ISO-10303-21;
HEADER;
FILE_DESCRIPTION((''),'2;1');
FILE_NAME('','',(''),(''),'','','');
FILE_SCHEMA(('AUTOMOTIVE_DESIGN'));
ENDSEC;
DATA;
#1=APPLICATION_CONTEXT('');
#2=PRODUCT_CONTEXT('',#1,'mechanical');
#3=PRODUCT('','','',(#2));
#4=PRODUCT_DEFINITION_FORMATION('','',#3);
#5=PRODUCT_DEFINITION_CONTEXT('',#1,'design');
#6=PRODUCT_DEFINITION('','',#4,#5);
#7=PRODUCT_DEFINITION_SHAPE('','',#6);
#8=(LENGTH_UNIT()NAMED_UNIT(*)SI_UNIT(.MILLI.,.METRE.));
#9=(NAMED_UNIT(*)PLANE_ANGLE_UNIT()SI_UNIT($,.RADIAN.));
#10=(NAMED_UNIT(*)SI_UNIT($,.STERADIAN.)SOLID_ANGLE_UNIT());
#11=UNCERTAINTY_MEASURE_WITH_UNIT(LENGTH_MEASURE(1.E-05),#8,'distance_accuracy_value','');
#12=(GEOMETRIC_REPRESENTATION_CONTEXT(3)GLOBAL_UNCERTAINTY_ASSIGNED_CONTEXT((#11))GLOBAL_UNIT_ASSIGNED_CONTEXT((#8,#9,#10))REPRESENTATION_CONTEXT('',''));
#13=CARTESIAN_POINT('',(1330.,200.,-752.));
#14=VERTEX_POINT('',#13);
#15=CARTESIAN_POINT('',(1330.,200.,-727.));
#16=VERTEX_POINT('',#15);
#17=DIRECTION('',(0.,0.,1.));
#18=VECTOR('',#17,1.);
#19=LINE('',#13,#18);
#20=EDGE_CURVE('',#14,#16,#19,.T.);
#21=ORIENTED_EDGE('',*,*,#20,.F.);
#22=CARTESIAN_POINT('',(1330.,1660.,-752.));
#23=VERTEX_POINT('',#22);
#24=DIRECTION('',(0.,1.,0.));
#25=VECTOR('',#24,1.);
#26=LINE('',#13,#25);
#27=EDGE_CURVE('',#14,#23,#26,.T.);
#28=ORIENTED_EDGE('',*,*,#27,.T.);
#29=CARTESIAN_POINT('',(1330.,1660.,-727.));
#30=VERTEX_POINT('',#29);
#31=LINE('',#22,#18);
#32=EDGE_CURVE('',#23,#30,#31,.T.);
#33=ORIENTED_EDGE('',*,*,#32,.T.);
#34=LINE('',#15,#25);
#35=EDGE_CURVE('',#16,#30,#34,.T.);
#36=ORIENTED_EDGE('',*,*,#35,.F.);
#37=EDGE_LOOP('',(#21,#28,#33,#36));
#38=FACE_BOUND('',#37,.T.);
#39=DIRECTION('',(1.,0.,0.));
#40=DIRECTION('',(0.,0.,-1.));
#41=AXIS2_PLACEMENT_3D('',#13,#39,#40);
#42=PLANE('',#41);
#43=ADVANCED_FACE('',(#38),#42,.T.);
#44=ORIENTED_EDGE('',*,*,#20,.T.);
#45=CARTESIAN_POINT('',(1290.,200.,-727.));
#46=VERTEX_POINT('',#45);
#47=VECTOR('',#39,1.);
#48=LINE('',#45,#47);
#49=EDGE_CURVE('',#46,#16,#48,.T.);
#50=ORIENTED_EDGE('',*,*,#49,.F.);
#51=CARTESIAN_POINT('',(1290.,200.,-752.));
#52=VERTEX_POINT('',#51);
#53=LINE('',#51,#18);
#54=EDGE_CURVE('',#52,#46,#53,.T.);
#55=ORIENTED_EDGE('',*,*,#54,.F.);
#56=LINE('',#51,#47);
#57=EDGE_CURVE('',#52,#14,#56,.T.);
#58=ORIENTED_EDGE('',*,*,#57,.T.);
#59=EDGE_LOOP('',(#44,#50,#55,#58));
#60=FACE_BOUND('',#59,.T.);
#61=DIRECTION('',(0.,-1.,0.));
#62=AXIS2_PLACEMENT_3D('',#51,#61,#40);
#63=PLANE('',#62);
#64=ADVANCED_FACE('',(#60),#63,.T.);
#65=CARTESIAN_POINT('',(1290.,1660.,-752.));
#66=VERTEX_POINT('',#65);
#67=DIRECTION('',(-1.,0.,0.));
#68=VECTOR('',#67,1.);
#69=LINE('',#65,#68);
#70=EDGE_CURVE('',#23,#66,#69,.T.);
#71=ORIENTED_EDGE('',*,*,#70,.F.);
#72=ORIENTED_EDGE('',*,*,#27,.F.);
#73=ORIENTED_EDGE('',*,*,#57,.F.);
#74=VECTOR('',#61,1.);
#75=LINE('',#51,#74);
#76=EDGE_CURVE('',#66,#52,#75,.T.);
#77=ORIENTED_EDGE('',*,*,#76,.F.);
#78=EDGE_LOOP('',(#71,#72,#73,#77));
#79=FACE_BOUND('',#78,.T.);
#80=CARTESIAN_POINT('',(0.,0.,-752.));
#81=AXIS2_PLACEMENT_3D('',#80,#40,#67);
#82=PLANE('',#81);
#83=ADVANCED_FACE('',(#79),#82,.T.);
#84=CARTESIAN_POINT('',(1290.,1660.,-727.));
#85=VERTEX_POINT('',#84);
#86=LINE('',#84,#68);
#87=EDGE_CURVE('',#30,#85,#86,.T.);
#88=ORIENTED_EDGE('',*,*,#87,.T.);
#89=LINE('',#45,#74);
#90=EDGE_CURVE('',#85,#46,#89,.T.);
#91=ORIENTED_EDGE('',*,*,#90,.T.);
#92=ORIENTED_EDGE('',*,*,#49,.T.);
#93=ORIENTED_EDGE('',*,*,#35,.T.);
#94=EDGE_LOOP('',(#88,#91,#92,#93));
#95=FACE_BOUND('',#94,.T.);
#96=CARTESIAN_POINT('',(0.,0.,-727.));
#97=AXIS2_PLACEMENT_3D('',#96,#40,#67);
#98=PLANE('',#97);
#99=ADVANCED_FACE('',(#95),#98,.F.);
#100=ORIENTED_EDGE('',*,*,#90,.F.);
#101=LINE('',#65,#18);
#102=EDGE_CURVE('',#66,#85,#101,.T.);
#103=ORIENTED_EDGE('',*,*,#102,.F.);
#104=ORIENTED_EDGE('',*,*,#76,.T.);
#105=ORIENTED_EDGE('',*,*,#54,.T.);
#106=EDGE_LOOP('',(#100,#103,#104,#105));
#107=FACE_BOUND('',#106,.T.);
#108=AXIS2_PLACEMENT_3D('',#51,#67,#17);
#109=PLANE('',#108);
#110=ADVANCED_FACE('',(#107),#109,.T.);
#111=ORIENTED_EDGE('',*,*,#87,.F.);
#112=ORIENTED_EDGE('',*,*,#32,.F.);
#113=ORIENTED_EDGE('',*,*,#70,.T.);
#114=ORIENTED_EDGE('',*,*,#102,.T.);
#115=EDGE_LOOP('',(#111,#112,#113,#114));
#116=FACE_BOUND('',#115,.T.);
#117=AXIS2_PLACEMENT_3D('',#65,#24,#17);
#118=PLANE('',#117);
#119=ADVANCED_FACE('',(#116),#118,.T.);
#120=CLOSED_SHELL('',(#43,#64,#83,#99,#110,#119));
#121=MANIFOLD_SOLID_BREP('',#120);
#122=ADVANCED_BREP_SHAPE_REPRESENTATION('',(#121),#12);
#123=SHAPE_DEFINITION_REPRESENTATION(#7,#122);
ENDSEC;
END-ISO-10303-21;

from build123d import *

# Parameters (mm, degrees)
STORE_KABLO_KANALI_DIKEY_40X25_1_START = -727
SKETCH1_W                              = 40
SKETCH1_H                              = 1460
STORE_KABLO_KANALI_DIKEY_40X25_1_DEPTH = 25


with BuildPart() as part:
    # Sketch1 → STORE_kablo_kanali_dikey_40x25_1 (new body)
    with BuildSketch(Plane.XY.offset(STORE_KABLO_KANALI_DIKEY_40X25_1_START)):
        with Locations((1310, 930)):
            Rectangle(SKETCH1_W, SKETCH1_H)
    extrude(amount=-STORE_KABLO_KANALI_DIKEY_40X25_1_DEPTH)


solid = part.part
